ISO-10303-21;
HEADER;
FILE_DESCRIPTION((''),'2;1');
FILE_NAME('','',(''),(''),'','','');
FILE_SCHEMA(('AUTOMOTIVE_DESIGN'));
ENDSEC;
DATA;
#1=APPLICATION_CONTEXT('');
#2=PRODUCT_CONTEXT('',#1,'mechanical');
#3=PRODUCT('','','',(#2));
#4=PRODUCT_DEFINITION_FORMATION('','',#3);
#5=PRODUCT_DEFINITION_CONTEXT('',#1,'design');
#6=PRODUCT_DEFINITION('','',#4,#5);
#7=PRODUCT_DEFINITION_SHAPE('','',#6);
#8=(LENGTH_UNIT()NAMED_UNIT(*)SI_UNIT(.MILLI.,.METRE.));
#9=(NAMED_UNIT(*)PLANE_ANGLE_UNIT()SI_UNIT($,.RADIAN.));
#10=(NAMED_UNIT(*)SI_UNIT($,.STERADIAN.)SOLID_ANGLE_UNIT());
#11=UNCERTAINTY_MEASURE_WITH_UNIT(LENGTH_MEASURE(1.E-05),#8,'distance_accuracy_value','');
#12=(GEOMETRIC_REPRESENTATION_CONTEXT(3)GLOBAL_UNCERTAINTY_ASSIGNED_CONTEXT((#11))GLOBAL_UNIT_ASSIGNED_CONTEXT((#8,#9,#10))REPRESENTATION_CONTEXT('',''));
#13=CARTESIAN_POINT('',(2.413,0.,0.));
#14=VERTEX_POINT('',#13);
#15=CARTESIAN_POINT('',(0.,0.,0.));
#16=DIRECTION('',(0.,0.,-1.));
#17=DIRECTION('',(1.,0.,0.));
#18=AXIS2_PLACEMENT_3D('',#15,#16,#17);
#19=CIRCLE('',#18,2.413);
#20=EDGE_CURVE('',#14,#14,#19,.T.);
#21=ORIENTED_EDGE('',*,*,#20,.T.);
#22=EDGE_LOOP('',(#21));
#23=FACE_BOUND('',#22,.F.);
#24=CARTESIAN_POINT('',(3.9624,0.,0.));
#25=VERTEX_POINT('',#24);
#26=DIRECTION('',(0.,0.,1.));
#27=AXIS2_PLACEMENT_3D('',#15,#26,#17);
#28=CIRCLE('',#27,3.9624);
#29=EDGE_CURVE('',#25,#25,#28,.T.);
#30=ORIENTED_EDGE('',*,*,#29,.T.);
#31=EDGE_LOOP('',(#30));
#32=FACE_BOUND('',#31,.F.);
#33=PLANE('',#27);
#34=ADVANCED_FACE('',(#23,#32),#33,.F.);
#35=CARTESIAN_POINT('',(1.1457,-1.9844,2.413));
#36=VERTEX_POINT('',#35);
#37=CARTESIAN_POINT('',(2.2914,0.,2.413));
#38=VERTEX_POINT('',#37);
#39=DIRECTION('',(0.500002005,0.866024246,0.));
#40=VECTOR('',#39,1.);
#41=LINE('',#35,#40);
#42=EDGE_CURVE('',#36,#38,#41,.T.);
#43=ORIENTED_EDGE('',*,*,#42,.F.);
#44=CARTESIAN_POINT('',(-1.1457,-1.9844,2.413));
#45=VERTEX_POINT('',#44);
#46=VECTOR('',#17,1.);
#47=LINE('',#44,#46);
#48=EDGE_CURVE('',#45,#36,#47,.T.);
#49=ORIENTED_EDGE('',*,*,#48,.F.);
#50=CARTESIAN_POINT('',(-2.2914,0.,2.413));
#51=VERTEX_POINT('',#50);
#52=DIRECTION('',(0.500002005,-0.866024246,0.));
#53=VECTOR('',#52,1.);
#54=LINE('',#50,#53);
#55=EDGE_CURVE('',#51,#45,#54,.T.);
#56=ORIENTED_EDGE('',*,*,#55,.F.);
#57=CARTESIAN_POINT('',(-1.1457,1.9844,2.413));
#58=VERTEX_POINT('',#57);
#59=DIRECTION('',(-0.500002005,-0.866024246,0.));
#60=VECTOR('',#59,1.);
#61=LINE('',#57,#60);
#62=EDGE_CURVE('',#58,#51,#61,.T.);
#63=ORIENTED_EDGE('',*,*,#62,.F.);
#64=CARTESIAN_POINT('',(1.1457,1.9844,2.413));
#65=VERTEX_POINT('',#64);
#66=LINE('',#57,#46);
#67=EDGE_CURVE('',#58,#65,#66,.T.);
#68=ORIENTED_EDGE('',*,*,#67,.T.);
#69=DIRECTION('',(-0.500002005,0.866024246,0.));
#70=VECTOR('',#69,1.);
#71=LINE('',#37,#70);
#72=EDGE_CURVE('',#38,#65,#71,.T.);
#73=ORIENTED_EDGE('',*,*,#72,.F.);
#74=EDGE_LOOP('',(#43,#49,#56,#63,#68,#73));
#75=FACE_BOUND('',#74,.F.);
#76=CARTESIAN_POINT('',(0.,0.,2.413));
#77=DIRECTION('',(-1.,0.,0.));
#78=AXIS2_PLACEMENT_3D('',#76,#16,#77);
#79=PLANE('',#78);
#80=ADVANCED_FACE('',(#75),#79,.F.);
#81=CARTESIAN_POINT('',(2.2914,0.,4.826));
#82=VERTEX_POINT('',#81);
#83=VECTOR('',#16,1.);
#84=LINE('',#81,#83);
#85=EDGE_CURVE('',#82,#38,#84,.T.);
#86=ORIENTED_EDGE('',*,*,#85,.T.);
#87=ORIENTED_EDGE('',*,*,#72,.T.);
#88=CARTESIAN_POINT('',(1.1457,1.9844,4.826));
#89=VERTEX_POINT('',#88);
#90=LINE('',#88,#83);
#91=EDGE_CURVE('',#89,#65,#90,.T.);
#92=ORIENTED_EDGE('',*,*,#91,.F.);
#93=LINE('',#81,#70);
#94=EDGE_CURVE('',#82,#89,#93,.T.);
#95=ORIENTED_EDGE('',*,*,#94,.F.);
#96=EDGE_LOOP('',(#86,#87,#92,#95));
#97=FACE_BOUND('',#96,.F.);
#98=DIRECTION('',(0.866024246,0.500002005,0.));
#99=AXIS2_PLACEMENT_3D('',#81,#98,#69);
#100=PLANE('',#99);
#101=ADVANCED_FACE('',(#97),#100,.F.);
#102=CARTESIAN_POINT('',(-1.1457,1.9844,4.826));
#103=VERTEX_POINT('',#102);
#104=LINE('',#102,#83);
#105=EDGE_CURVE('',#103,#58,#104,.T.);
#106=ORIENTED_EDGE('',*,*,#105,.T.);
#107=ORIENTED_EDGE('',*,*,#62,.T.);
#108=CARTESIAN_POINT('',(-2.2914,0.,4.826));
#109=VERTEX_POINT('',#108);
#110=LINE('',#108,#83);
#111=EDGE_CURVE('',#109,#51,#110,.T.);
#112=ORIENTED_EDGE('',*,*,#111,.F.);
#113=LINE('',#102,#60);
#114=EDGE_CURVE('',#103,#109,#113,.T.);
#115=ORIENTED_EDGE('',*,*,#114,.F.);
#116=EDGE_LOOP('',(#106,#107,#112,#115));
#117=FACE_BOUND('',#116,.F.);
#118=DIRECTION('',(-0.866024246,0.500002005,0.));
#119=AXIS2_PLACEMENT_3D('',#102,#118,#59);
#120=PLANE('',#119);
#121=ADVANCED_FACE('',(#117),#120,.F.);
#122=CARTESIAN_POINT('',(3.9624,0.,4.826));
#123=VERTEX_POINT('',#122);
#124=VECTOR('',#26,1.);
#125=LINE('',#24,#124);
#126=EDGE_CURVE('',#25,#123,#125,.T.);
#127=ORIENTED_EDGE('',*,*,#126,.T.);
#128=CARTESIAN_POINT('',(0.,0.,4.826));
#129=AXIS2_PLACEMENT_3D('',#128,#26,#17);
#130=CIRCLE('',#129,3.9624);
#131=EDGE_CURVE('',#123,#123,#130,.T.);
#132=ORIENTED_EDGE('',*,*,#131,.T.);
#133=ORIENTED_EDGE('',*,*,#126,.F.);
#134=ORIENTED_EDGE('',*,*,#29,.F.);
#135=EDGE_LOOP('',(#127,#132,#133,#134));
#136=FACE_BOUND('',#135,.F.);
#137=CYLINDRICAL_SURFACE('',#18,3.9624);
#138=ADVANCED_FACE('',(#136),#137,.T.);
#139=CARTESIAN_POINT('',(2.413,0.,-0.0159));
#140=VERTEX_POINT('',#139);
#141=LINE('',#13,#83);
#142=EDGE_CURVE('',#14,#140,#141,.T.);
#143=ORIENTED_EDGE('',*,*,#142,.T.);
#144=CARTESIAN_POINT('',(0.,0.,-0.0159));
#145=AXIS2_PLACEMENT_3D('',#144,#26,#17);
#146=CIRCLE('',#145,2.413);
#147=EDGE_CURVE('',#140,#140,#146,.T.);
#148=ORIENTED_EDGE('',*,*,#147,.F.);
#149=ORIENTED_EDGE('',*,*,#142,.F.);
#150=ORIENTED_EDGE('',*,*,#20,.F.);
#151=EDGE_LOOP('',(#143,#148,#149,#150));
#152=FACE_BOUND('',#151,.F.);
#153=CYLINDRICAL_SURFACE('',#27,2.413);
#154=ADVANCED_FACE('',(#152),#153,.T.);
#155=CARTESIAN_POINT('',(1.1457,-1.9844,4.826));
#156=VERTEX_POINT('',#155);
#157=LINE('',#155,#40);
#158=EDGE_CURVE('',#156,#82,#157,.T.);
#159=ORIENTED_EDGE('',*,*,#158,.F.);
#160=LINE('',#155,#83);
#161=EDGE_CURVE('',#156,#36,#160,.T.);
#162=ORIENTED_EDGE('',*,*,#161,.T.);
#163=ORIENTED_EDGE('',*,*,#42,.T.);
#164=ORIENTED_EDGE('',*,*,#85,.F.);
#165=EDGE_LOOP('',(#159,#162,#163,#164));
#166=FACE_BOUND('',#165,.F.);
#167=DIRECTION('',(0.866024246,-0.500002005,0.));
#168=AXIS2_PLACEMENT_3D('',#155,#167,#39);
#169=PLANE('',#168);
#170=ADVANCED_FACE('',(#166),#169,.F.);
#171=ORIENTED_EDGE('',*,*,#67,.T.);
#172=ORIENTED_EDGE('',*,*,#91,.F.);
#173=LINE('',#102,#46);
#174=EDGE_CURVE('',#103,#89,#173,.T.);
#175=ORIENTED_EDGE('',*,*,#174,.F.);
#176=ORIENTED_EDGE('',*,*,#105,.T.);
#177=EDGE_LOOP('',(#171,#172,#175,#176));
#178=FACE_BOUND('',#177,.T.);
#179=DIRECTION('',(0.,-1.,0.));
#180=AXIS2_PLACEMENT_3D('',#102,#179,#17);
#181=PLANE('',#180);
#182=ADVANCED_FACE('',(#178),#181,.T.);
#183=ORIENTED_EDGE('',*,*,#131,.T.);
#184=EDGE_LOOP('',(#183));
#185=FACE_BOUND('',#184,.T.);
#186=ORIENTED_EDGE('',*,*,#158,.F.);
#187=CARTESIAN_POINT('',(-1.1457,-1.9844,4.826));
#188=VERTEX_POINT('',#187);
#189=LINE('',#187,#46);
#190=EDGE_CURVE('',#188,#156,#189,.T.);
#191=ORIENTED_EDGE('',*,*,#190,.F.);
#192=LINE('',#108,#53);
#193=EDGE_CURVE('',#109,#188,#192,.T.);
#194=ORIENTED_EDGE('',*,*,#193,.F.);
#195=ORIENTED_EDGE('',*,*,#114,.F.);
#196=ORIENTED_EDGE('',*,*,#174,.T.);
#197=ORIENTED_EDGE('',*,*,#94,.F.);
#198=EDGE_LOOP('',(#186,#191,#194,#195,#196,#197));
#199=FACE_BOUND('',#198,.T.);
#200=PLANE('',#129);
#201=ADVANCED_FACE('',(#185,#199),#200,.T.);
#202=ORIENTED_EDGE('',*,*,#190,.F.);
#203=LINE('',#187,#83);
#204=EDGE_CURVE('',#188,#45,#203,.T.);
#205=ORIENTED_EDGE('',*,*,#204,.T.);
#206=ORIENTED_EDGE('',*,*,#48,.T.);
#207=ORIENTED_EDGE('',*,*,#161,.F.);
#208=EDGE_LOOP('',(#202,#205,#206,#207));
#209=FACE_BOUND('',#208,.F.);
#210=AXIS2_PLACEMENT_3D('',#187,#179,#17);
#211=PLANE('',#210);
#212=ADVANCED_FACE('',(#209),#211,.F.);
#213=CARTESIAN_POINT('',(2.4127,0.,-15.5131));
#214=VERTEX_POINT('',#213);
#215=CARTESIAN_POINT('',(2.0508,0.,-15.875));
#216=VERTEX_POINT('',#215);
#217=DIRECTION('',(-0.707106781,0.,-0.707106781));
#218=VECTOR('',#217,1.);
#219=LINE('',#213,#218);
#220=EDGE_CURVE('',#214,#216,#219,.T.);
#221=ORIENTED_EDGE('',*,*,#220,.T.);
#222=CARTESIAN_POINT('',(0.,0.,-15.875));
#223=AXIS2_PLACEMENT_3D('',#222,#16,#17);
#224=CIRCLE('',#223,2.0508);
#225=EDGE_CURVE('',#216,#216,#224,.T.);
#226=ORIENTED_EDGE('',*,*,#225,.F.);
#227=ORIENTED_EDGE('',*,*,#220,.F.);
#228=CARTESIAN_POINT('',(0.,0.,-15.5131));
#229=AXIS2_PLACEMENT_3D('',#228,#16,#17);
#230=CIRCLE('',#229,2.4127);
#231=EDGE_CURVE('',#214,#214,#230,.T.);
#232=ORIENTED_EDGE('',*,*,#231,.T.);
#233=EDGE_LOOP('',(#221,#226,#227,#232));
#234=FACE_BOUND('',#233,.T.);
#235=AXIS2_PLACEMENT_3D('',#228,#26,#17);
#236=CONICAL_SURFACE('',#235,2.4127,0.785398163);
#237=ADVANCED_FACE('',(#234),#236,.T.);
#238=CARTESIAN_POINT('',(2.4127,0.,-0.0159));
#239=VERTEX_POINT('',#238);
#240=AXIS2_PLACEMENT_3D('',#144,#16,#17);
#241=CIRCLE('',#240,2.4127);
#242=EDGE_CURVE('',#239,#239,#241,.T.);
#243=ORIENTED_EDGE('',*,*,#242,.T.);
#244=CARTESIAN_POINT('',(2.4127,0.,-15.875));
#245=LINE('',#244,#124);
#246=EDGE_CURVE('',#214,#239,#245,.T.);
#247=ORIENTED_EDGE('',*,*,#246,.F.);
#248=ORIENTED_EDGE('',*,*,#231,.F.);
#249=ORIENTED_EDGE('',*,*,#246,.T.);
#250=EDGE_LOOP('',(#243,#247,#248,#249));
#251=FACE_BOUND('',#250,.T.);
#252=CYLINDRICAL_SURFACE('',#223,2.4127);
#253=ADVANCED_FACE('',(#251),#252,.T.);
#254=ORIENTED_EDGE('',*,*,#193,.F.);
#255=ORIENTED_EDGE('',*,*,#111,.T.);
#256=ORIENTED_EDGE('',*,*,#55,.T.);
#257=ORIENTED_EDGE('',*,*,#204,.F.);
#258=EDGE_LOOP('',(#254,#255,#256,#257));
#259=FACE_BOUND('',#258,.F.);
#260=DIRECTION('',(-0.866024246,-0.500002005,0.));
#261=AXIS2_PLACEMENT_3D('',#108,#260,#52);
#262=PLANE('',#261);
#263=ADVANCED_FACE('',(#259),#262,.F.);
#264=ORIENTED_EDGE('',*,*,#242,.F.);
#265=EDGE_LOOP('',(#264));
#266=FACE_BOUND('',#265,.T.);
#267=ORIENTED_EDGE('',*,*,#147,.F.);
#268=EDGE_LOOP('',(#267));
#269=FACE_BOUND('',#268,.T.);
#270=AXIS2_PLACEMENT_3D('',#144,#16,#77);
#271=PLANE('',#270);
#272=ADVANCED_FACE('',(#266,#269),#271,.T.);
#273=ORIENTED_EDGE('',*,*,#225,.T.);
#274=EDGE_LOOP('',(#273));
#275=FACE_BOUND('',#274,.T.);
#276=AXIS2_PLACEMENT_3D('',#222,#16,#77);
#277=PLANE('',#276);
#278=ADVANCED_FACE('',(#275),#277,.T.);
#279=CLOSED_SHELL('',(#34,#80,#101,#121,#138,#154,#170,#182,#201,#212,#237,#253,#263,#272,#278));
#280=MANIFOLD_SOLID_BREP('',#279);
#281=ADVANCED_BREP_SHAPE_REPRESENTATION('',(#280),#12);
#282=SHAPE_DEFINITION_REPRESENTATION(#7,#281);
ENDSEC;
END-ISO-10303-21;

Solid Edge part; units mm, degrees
sketch "Sketch1" plane through (0, 0, 0) normal (0, 0, 1) x (1, 0, 0)
  circle A0 centre (0, 0) radius 3.9624
  dimension "D1" = 7.9248
extrude "Protrusion1" add sketch "Sketch1" along normal blind 4.826
sketch "Sketch2" plane through (0, 0, 0) normal (0, 0, -1) x (1, 0, 0)
  circle A0 centre (0, 0) radius 2.413
extrude "Protrusion2" add sketch "Sketch2" along normal blind 15.875
sketch "Sketch3" plane through (0, 0, -15.875) normal (0, 0, -1) x (1, 0, 0)
  circle A0 centre (0, 0) radius 2.4127
extrude "Cutout1" cut sketch "Sketch3" against normal blind 15.8591 flip side to cut
chamfer "Chamfer_1" distance 0.3619 angle 45 1 edges at (-2.4127, 0, -15.875)
sketch "Sketch4" plane through (0, 0, 4.826) normal (0, 0, 1) x (1, 0, 0)
  line L0 (-1.1457, 1.9844) -> (1.1457, 1.9844)
  line L1 (2.2914, 0) -> (1.1457, 1.9844)
  line L2 (1.1457, -1.9844) -> (2.2914, 0)
  line L3 (-1.1457, -1.9844) -> (1.1457, -1.9844)
  line L4 (-2.2914, 0) -> (-1.1457, -1.9844)
  line L5 (-1.1457, 1.9844) -> (-2.2914, 0)
  dimension "D1" = 3.9688
extrude "Cutout2" cut sketch "Sketch4" against normal blind 2.413
properties part number "24100173"
